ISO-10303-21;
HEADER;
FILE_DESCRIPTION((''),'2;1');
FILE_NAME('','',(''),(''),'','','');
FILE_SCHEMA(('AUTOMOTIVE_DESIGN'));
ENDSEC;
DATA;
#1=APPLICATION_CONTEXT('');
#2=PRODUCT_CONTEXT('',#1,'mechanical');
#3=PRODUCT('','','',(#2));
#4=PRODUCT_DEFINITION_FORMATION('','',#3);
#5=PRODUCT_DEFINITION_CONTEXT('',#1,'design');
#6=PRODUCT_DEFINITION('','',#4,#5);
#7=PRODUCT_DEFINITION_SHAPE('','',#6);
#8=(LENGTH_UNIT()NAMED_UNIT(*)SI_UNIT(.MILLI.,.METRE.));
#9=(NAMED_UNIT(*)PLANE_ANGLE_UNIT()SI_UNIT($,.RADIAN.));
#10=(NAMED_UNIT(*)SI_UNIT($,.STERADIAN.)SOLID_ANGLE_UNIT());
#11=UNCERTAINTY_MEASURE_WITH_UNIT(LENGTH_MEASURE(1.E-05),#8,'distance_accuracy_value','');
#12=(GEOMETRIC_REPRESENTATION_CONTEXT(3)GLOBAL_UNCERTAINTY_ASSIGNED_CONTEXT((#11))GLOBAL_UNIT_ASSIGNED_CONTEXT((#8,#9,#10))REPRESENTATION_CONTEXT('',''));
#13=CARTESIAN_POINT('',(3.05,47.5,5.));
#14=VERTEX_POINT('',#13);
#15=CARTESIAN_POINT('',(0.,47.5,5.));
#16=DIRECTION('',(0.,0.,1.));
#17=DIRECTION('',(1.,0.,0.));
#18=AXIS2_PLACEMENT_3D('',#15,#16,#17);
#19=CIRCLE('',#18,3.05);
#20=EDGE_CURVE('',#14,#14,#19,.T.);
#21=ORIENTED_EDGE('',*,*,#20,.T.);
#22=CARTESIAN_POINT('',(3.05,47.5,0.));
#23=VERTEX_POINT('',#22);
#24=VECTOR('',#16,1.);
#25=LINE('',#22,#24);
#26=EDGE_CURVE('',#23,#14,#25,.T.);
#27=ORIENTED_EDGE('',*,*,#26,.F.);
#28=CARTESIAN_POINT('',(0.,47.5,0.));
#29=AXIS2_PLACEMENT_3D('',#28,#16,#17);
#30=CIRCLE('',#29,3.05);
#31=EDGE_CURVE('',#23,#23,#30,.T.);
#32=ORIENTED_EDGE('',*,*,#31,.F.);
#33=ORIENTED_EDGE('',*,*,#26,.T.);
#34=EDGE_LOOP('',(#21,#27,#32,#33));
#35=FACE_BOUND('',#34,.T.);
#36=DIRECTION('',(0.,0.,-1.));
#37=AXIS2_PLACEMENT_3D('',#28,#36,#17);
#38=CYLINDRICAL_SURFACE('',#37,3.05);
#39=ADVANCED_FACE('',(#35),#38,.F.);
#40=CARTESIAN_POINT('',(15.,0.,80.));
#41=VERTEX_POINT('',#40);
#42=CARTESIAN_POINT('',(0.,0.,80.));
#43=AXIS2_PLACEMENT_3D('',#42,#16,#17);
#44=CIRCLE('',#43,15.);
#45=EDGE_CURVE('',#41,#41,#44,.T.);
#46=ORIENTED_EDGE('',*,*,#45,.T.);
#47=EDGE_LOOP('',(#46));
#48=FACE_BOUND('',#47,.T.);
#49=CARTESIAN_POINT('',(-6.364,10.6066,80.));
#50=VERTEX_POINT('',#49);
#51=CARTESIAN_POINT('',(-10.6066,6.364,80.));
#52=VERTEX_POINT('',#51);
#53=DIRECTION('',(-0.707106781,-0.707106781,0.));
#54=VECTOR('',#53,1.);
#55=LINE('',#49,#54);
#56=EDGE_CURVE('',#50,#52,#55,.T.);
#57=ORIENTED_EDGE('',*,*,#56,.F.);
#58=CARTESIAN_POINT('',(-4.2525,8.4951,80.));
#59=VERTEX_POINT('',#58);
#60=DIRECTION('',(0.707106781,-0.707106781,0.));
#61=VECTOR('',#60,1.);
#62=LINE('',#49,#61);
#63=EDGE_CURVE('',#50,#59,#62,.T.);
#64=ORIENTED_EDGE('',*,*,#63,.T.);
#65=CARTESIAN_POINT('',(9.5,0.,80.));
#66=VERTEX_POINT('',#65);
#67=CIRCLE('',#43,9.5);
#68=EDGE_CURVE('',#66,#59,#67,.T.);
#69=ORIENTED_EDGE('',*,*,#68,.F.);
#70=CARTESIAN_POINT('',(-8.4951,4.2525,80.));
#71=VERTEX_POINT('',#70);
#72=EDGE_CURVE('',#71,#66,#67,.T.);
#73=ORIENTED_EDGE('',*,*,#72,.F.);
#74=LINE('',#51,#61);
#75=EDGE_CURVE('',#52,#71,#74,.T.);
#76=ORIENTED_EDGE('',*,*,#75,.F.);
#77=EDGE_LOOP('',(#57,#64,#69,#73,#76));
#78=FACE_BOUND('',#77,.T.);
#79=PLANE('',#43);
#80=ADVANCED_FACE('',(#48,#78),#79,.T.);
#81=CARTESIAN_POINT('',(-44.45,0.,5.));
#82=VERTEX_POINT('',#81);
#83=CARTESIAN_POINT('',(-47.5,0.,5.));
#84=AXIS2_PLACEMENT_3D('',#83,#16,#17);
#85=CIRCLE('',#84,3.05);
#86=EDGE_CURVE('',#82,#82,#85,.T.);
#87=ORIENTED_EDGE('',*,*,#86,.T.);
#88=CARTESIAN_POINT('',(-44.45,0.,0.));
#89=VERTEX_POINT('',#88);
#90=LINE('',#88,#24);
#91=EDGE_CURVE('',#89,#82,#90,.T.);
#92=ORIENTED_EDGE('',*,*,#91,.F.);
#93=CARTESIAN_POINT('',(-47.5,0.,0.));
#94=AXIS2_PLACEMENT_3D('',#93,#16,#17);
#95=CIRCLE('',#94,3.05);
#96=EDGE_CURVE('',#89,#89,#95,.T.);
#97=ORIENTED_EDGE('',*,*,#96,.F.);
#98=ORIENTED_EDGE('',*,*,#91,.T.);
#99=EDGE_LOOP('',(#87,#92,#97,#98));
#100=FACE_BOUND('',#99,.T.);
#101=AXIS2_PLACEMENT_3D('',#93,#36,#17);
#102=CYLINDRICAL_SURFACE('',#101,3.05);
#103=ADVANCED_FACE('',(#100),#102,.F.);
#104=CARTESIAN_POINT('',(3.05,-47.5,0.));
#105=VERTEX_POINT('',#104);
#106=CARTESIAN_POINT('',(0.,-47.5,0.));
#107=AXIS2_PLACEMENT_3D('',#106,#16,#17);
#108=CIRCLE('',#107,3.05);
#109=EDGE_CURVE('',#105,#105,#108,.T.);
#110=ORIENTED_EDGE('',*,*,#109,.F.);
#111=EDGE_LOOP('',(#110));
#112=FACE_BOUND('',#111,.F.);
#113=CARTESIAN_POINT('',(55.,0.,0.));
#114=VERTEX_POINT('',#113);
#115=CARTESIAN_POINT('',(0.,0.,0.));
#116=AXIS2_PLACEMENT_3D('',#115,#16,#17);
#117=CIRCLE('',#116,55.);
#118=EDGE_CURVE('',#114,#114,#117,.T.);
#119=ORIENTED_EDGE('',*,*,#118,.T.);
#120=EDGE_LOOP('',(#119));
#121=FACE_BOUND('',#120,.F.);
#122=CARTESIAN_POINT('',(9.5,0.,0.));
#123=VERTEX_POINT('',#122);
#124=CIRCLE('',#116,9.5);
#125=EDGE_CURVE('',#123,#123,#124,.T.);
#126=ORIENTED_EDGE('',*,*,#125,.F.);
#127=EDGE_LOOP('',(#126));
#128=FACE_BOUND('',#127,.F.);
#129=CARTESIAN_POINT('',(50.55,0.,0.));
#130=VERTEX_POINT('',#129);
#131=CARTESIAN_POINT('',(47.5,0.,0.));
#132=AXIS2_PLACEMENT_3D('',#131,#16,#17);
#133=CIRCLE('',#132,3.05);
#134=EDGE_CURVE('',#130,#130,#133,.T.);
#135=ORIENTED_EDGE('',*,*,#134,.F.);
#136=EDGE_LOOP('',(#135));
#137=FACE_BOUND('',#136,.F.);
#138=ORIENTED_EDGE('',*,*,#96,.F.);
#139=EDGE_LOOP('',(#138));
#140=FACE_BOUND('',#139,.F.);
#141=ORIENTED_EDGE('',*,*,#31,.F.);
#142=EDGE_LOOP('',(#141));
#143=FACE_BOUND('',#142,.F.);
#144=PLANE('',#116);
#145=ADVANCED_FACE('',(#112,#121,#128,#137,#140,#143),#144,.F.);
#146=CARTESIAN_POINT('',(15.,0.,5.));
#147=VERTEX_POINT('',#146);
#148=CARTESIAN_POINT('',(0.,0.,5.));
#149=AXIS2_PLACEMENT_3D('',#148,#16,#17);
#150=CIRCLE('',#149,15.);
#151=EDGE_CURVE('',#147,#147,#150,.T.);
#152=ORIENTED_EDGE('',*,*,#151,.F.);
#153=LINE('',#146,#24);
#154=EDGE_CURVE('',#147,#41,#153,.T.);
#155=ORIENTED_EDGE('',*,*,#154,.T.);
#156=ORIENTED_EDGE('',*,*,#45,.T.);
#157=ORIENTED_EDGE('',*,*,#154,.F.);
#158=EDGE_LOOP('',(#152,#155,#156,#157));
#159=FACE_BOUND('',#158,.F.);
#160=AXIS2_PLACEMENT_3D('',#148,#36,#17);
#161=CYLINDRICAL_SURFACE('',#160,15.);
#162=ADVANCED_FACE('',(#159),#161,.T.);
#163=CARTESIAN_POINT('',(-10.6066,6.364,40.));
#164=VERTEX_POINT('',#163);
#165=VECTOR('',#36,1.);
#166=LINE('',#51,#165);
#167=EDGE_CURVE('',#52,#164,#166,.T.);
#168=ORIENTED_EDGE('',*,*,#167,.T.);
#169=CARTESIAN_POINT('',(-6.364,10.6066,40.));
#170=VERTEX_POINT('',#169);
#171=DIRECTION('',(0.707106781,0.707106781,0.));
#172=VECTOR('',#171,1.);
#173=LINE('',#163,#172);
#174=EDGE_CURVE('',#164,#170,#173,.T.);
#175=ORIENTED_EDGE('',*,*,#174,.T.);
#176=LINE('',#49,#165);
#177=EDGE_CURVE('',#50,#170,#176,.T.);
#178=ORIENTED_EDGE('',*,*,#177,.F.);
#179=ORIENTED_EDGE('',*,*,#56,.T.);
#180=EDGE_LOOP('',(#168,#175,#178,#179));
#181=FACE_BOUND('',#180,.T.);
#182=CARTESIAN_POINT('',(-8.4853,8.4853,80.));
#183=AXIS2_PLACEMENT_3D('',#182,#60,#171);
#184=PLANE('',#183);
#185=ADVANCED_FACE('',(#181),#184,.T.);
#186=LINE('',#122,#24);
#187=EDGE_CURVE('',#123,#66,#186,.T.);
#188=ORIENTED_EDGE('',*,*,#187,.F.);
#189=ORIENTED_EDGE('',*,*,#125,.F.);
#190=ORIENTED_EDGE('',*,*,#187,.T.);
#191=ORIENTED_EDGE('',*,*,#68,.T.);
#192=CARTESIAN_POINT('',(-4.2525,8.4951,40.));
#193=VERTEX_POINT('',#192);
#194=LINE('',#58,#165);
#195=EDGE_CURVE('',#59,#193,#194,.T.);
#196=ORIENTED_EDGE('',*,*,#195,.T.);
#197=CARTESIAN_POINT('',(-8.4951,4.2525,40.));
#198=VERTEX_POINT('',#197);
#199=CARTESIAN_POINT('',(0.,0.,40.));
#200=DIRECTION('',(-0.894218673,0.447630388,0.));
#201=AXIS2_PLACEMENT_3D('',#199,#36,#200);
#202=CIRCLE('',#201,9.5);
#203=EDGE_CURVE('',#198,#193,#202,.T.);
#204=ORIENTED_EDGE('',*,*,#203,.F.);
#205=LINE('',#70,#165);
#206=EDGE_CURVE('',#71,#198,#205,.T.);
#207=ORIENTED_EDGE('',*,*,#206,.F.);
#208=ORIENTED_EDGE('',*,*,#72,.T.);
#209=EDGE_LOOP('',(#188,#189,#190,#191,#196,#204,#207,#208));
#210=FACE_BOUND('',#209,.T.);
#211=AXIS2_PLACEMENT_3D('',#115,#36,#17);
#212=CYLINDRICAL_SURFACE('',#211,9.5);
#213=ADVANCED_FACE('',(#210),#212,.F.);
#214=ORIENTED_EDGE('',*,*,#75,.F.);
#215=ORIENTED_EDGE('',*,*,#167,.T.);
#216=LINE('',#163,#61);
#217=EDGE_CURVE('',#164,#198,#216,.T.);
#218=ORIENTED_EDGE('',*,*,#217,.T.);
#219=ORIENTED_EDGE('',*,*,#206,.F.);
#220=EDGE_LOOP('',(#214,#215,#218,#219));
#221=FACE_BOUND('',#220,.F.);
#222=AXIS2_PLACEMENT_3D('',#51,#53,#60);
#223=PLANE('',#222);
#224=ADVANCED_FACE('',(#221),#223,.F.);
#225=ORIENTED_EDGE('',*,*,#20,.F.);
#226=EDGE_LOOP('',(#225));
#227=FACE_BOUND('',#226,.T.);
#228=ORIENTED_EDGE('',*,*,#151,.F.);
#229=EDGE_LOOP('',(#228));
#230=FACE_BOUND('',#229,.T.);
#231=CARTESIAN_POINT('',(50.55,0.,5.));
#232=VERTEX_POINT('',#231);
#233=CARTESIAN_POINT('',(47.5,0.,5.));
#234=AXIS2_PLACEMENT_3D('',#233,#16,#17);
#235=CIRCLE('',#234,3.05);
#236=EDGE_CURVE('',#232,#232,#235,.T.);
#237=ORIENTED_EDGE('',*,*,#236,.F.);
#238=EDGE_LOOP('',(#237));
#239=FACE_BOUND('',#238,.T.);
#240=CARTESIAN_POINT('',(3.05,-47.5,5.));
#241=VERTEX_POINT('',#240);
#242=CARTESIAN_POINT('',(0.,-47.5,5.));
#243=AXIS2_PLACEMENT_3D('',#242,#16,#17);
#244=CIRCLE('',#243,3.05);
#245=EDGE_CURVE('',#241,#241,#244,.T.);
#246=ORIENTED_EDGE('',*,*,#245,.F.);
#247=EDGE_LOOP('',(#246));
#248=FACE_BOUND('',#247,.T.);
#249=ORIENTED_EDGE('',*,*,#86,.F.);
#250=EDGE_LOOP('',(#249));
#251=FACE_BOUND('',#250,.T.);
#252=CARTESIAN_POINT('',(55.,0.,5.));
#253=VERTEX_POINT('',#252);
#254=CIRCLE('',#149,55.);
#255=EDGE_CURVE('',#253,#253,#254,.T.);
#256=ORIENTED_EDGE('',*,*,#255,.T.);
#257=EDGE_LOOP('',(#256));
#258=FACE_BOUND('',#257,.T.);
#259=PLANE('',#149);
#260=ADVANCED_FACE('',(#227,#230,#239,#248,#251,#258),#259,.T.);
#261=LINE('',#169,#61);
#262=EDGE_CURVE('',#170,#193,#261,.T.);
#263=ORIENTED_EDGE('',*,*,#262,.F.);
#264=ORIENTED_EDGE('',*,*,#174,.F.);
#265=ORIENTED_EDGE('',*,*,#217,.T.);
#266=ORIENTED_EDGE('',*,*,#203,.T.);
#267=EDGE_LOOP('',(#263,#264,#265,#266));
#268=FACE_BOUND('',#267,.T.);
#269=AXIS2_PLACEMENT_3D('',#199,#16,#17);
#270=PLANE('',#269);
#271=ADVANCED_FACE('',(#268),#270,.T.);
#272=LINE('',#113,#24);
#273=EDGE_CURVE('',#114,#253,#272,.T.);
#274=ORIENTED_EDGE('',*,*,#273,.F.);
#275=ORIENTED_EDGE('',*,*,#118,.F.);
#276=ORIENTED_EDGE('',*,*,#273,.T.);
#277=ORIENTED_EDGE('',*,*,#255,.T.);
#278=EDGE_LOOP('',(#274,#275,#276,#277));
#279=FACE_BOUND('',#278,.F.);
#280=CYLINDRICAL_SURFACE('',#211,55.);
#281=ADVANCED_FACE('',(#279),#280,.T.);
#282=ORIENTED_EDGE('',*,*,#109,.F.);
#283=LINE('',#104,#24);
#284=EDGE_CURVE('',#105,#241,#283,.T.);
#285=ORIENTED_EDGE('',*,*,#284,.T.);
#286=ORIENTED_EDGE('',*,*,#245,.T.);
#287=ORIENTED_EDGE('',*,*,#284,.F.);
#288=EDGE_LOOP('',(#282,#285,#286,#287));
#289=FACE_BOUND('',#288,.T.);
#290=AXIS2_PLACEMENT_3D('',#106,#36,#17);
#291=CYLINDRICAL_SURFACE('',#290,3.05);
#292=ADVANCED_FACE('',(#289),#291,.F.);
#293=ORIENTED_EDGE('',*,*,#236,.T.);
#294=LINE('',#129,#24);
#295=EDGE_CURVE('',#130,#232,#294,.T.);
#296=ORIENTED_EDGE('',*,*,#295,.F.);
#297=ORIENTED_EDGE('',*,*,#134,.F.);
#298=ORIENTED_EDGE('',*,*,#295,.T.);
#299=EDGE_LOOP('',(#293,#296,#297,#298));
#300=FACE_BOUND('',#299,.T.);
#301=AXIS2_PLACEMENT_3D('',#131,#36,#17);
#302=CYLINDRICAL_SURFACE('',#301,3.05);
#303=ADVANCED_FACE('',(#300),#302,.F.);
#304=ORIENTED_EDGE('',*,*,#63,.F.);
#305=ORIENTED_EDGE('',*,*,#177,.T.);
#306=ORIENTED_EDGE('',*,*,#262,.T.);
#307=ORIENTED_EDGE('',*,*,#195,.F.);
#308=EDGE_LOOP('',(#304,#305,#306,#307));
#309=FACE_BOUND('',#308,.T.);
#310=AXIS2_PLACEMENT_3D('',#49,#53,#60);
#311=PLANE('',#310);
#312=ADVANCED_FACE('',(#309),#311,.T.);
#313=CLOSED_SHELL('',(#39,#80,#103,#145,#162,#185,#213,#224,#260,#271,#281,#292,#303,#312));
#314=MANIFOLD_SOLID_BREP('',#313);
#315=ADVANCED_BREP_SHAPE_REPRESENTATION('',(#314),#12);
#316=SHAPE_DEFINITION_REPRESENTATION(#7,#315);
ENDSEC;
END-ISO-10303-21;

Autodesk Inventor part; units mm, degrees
ref_plane "YZ Plane" through (0, 0, 0) normal (1, 0, 0) x (0, 1, 0)
ref_plane "XZ Plane" through (0, 0, 0) normal (0, 1, 0) x (-1, 0, 0)
ref_plane "XY Plane" through (0, 0, 0) normal (0, 0, 1) x (1, 0, 0)
sketch "Sketch1" plane through (0, 0, 0) normal (0, 0, 1) x (1, 0, 0)
  circle A0 centre (0, 0) radius 47.5 construction
  circle A1 centre (0, 47.5) radius 3.05
  circle A2 centre (-47.5, 0) radius 3.05
  circle A3 centre (0, -47.5) radius 3.05
  circle A4 centre (47.5, 0) radius 3.05
  circle A5 centre (0, 0) radius 15 construction
  circle A6 centre (0, 0) radius 55
  circle A7 centre (0, 0) radius 9.5
  dimension "d0" = 95
  dimension "d1" = 6.1
  dimension "d4" = 360
  dimension "d6" = 30
  dimension "d7" = 110
  dimension "d8" = 19
extrude "Extrusion1" add sketch "Sketch1" along normal blind 5
sketch "Sketch2" plane through (0, 0, 5) normal (0, 0, 1) x (1, 0, 0)
  circle A0 centre (0, 0) radius 15
  circle A1 centre (0, 0) radius 9.5 projected
  dimension "d11" = 30
extrude "Extrusion2" add sketch "Sketch2" along normal blind 75
sketch "Sketch3" plane through (0, 0, 80) normal (0, 0, 1) x (1, 0, 0)
  circle A0 centre (0, 0) radius 15 projected
  circle A1 centre (0, 0) radius 9.5 projected
  line L0 (6.7175, -6.7175) -> (-8.4853, 8.4853)
  line L1 (-8.4853, 8.4853) -> (-10.6066, 6.364)
  line L2 (-10.6066, 6.364) -> (-8.4951, 4.2525)
  line L3 (-8.4853, 8.4853) -> (-6.364, 10.6066)
  line L4 (-6.364, 10.6066) -> (-4.2525, 8.4951)
  dimension "d14" = 21.5
  dimension "d15" = 3
  dimension "d16" = 3
extrude "Extrusion3" cut sketch "Sketch3" against normal blind 40 contours A1 L0 L3 L4 | A1 L2 L1 L0
properties part number "wheelFlangeTopMotor"
